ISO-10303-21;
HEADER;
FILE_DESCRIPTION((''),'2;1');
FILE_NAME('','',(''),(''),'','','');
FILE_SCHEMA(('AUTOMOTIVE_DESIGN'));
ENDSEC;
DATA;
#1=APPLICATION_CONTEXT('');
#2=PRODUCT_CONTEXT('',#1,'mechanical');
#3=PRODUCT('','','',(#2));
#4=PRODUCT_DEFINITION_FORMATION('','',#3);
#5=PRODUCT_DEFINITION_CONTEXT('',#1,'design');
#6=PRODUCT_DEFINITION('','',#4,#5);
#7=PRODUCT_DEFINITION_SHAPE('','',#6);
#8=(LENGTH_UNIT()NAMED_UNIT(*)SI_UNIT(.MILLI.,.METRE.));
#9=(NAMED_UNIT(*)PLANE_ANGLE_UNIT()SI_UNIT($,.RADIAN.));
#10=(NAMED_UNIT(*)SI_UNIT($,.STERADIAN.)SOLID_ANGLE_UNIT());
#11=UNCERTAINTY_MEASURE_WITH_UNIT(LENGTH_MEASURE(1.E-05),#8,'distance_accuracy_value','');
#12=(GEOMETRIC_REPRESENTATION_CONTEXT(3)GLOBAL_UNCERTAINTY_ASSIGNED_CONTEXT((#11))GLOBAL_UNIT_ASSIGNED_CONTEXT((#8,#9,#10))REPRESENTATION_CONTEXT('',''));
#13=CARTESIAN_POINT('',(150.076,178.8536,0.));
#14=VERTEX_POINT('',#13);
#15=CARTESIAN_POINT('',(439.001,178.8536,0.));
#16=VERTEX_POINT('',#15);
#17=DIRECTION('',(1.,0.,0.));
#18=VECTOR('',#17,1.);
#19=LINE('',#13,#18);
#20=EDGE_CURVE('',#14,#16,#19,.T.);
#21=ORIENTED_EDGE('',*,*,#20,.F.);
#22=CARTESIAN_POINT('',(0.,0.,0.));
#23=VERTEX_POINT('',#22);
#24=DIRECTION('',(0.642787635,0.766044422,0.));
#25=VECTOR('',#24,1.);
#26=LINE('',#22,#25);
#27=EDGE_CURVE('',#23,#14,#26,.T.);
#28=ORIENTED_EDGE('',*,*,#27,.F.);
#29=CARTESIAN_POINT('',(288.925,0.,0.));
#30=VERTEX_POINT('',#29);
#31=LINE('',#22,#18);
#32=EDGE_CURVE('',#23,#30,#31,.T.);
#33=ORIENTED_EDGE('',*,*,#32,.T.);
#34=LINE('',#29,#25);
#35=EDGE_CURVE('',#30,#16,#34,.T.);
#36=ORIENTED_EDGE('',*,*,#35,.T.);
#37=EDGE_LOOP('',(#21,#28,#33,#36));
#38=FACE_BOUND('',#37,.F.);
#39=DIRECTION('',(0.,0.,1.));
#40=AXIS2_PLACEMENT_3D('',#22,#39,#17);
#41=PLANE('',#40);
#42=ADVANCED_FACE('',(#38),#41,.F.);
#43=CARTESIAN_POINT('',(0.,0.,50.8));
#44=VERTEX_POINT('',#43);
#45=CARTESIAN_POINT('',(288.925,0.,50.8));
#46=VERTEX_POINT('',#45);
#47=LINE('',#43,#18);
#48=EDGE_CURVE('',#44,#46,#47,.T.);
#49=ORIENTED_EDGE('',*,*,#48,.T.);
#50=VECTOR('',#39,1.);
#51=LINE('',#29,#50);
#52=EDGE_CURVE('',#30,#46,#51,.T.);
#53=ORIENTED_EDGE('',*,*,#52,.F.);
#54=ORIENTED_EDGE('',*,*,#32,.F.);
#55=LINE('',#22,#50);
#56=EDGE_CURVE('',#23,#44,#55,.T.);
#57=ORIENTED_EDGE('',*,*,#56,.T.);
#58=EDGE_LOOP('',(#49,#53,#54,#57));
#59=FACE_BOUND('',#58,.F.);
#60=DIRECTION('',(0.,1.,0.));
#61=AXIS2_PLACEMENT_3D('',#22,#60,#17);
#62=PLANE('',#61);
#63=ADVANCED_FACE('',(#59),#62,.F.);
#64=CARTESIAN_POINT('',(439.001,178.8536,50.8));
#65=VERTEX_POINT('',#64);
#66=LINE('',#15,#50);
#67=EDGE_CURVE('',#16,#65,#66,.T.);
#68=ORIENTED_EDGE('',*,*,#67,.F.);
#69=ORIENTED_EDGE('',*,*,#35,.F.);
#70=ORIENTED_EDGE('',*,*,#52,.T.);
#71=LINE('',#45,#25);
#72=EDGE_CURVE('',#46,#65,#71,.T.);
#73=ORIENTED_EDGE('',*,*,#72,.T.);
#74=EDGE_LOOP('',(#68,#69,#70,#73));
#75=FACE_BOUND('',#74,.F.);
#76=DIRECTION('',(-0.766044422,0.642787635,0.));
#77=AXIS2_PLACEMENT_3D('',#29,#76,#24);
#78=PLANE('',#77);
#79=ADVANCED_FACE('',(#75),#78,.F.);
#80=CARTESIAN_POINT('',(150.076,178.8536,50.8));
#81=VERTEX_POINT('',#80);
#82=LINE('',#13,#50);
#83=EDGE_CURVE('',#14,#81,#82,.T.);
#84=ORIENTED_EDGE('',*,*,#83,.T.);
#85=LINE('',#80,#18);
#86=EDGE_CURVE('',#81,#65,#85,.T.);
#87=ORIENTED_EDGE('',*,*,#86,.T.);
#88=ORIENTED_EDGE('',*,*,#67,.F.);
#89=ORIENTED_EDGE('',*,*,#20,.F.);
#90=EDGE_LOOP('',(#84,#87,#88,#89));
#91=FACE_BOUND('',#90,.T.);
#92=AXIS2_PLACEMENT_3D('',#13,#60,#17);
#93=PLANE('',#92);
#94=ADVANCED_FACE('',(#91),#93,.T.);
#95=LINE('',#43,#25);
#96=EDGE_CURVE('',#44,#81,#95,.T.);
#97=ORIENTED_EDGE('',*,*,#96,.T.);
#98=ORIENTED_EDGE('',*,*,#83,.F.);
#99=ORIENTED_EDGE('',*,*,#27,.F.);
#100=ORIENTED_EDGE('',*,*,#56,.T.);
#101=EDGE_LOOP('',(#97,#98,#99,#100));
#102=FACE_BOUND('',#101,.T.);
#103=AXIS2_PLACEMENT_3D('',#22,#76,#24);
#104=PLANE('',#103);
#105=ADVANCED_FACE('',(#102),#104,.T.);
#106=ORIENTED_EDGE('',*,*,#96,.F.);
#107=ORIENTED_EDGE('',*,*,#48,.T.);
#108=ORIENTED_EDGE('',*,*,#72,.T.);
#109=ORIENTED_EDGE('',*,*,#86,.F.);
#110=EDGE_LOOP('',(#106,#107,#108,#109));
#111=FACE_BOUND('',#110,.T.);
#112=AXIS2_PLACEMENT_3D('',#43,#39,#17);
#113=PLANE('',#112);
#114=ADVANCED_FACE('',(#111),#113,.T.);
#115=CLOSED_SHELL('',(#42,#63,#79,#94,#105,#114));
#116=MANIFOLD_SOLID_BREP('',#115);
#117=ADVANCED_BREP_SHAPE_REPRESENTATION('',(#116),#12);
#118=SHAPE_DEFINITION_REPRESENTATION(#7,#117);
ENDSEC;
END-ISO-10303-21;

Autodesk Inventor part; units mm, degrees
ref_plane "YZ Plane" through (0, 0, 0) normal (1, 0, 0) x (0, 1, 0)
ref_plane "XZ Plane" through (0, 0, 0) normal (0, 1, 0) x (-1, 0, 0)
ref_plane "XY Plane" through (0, 0, 0) normal (0, 0, 1) x (1, 0, 0)
sketch "Sketch1" plane through (0, 0, 0) normal (0, 0, 1) x (1, 0, 0)
  line L0 (0, 0) -> (288.925, 0)
  line L1 (0, 0) -> (150.076, 178.8536)
  line L2 (288.925, 0) -> (439.001, 178.8536)
  line L3 (150.076, 178.8536) -> (439.001, 178.8536)
  line L4 (150.076, 178.8536) -> (294.5385, 178.8536) construction
  line L5 (294.5385, 178.8536) -> (144.4625, 0) construction
  dimension "d0" = 288.925
  dimension "d1" = 233.4768
  dimension "d2" = 50
  dimension "d3" = 233.4768
  dimension "d4" = 144.4625
extrude "Extrusion1" add sketch "Sketch1" along normal blind 50.8
properties part number "Bad hopper design_v1"
